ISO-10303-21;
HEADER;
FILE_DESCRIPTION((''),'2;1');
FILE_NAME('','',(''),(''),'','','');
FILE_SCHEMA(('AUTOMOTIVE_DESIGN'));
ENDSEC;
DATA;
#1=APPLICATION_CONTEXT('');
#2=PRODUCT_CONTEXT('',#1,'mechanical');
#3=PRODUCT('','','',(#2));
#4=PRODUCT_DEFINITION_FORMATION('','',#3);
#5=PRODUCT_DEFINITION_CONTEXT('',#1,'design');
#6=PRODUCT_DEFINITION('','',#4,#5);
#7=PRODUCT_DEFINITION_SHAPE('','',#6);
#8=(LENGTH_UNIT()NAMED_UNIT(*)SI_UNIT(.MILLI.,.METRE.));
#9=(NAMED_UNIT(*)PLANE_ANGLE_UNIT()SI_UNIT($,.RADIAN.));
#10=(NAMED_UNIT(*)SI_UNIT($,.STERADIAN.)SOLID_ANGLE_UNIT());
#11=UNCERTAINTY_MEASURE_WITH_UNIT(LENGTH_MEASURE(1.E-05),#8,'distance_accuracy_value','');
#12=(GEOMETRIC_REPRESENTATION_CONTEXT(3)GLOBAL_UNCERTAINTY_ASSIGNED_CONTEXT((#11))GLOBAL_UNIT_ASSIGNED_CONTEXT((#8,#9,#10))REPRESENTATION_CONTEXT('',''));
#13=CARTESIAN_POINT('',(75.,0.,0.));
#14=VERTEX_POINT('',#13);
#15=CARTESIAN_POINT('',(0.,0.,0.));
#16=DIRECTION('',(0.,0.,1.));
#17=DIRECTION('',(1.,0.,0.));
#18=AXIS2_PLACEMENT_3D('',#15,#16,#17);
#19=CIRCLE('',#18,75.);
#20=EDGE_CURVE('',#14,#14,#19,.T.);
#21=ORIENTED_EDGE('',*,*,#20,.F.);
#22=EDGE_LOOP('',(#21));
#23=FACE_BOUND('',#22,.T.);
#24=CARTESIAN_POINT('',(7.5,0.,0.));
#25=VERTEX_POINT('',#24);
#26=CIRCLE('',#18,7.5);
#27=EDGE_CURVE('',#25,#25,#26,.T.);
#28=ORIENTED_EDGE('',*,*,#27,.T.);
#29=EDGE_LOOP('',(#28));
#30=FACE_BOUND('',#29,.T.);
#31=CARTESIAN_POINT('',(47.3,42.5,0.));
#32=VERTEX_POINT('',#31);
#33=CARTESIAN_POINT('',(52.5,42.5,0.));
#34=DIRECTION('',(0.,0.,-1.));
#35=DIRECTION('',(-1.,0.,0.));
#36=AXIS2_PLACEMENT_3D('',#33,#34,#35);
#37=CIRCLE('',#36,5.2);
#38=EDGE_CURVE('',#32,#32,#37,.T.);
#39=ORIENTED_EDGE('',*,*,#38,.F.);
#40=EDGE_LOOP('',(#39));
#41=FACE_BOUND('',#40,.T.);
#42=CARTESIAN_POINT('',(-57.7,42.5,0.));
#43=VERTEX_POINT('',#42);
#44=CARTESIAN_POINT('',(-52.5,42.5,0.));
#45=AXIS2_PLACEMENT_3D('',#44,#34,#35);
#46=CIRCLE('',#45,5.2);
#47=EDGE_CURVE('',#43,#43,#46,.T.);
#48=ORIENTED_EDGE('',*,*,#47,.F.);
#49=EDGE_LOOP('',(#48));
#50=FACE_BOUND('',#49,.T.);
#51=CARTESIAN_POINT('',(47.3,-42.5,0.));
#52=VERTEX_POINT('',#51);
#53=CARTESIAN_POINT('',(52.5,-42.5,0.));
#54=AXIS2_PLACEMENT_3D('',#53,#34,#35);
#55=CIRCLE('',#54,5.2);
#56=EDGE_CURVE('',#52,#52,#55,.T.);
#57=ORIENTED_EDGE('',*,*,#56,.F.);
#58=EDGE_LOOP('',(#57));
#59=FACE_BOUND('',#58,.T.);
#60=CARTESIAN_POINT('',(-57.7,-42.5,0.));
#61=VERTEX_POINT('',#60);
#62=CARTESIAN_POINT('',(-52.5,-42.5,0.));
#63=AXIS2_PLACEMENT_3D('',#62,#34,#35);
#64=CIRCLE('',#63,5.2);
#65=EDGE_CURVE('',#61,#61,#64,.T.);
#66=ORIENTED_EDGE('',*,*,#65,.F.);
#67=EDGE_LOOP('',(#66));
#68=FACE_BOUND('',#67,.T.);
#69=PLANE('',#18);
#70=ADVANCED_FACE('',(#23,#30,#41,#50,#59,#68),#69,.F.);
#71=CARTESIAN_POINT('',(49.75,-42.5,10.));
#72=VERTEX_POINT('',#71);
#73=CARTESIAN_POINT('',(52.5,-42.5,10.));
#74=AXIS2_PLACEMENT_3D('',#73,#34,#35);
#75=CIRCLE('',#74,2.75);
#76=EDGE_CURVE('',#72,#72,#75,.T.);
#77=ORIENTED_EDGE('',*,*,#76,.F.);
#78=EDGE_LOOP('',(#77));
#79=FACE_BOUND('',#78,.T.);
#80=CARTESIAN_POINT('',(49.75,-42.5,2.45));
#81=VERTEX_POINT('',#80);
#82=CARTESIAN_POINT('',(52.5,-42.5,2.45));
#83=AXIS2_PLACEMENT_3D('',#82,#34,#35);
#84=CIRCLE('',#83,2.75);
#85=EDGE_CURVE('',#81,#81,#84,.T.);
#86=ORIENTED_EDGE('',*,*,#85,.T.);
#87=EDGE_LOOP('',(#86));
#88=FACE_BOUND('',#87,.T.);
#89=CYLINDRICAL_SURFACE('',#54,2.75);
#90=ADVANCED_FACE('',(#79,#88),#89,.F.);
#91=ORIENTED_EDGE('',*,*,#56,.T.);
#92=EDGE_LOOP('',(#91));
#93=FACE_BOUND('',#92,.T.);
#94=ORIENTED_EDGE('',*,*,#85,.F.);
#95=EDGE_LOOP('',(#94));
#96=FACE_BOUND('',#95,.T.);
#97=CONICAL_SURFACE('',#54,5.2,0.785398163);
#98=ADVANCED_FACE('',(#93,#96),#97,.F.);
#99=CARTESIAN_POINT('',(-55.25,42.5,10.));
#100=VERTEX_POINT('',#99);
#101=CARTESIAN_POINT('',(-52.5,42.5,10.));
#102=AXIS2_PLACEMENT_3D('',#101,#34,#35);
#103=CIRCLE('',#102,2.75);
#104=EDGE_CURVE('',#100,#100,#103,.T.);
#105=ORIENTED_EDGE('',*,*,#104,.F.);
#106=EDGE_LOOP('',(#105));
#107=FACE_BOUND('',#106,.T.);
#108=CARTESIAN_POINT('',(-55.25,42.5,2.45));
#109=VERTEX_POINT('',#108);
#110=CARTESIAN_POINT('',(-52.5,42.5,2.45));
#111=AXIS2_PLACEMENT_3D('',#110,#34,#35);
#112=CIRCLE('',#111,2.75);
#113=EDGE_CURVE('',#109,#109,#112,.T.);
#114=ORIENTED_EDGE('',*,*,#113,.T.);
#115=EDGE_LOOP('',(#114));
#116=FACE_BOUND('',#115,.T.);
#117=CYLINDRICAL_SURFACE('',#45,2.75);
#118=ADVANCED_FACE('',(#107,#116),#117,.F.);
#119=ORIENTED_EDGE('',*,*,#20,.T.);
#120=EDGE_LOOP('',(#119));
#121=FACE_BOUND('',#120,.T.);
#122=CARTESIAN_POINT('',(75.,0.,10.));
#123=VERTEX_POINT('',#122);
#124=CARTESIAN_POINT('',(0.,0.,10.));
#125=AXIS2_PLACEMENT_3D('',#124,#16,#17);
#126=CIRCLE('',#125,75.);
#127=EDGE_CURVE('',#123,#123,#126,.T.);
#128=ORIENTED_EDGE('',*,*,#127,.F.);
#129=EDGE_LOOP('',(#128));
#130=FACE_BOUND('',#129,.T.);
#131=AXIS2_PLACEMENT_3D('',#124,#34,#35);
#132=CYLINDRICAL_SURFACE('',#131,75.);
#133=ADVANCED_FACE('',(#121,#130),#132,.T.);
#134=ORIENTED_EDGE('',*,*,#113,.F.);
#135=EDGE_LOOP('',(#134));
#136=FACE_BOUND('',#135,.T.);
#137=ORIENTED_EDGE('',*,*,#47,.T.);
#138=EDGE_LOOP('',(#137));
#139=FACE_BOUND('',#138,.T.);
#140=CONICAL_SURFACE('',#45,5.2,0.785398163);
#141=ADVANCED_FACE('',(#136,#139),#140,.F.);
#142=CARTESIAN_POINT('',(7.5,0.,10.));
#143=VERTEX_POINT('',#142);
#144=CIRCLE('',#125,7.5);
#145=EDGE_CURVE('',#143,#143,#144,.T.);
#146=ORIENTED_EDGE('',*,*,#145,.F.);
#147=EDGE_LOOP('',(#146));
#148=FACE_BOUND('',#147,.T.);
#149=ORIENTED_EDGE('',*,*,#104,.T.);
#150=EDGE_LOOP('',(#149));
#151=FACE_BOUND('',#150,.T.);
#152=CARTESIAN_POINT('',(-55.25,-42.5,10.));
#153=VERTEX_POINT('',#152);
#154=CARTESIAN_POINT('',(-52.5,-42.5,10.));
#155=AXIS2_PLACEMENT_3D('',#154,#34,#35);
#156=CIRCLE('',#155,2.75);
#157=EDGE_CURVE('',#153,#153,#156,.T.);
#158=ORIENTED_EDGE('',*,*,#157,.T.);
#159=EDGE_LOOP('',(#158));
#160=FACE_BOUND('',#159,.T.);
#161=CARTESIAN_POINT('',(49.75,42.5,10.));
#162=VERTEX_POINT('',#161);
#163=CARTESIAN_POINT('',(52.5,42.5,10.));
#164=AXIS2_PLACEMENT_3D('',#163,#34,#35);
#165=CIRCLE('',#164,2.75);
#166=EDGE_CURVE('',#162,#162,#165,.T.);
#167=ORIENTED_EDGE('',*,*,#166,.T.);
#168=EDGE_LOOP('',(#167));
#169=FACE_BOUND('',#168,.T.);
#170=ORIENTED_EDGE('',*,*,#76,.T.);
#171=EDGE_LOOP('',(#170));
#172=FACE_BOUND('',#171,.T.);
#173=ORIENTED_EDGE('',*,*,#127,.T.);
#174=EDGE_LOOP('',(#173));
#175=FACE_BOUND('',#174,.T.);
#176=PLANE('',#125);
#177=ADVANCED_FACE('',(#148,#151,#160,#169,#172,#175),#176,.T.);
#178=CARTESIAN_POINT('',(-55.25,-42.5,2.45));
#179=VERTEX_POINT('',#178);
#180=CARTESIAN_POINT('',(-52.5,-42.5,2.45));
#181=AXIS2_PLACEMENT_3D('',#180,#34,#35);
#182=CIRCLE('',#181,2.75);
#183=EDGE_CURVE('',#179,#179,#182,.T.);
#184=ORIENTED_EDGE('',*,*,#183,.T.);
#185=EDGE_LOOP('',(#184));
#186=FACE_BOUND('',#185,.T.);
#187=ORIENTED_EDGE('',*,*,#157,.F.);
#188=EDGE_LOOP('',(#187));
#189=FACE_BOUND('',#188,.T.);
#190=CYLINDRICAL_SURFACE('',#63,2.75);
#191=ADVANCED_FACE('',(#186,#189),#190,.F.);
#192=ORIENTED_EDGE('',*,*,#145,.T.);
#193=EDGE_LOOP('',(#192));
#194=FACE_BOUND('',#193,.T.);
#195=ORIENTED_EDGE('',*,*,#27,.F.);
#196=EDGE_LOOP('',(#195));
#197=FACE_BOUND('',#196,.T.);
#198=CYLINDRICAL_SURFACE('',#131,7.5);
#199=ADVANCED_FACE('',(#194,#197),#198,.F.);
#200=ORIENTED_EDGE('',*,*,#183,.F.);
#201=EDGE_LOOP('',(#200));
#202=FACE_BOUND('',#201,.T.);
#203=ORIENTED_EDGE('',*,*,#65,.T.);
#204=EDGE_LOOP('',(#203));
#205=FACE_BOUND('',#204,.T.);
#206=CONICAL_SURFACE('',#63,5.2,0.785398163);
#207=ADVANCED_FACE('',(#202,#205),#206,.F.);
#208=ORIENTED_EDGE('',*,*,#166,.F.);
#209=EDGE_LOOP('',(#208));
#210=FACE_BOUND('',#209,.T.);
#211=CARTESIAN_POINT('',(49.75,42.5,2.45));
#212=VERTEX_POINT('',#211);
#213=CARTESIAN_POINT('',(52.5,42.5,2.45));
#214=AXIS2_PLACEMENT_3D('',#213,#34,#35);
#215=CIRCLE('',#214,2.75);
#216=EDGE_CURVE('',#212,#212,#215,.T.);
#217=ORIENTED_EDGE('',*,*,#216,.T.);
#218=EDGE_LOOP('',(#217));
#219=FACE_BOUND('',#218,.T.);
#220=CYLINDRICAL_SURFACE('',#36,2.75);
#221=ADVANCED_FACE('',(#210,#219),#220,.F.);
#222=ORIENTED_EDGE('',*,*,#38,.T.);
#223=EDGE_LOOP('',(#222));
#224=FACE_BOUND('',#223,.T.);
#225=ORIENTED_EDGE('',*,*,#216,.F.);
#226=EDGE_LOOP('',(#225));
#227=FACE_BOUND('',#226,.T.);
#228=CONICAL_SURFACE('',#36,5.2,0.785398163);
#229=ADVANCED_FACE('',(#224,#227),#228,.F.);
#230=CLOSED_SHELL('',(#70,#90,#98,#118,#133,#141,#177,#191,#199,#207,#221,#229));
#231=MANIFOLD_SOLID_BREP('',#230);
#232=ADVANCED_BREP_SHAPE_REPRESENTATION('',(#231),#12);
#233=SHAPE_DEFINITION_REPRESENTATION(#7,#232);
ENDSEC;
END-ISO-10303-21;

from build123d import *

# Parameters (mm, degrees)
SKETCH1_R                                       = 75
SKETCH1_R_2                                     = 7.5
BOSS_EXTRUDE1_DEPTH                             = 10
SKETCH2_R                                       = 1.5
CUT_EXTRUDE1_DEPTH                              = 107.536378763
CSK_FOR_M5_FLAT_HEAD_MACHINE_SCREW1_D           = 5.5
CSK_FOR_M5_FLAT_HEAD_MACHINE_SCREW1_CSINK_D     = 10.4
CSK_FOR_M5_FLAT_HEAD_MACHINE_SCREW1_CSINK_ANGLE = 90


with BuildPart() as part:
    # Sketch1 → Boss-Extrude1 (new body)
    with BuildSketch(Plane(origin=(0, 0, 0), x_dir=(0, 1, 0), z_dir=(0, 0, 1))):
        with Locations(Location((0, 0, 0), (0, 0, 270))):
            Circle(SKETCH1_R)
        with Locations(Location((0, 0, 0), (0, 0, 270))):
            Circle(SKETCH1_R_2, mode=Mode.SUBTRACT)
    extrude(amount=BOSS_EXTRUDE1_DEPTH)

    # Sketch2 → Cut-Extrude1 (cut, through all)
    with BuildSketch(Plane.XY.offset(10)):
        with Locations((-52.5, 42.5)):
            Circle(SKETCH2_R)
        with Locations((52.5, 42.5)):
            Circle(SKETCH2_R)
        with Locations((52.5, -42.5)):
            Circle(SKETCH2_R)
        with Locations((-52.5, -42.5)):
            Circle(SKETCH2_R)
    extrude(amount=-CUT_EXTRUDE1_DEPTH, mode=Mode.SUBTRACT)

    # CSK for M5 Flat Head Machine Screw1 (through all)
    with Locations(Plane(origin=(-52.5, -42.5, 0), x_dir=(-1, 0, 0), z_dir=(0, 0, -1))):
        with Locations((0, 0), (-105, 0), (-105, 85), (0, 85)):
            CounterSinkHole(CSK_FOR_M5_FLAT_HEAD_MACHINE_SCREW1_D / 2, CSK_FOR_M5_FLAT_HEAD_MACHINE_SCREW1_CSINK_D / 2, counter_sink_angle=CSK_FOR_M5_FLAT_HEAD_MACHINE_SCREW1_CSINK_ANGLE)


solid = part.part
